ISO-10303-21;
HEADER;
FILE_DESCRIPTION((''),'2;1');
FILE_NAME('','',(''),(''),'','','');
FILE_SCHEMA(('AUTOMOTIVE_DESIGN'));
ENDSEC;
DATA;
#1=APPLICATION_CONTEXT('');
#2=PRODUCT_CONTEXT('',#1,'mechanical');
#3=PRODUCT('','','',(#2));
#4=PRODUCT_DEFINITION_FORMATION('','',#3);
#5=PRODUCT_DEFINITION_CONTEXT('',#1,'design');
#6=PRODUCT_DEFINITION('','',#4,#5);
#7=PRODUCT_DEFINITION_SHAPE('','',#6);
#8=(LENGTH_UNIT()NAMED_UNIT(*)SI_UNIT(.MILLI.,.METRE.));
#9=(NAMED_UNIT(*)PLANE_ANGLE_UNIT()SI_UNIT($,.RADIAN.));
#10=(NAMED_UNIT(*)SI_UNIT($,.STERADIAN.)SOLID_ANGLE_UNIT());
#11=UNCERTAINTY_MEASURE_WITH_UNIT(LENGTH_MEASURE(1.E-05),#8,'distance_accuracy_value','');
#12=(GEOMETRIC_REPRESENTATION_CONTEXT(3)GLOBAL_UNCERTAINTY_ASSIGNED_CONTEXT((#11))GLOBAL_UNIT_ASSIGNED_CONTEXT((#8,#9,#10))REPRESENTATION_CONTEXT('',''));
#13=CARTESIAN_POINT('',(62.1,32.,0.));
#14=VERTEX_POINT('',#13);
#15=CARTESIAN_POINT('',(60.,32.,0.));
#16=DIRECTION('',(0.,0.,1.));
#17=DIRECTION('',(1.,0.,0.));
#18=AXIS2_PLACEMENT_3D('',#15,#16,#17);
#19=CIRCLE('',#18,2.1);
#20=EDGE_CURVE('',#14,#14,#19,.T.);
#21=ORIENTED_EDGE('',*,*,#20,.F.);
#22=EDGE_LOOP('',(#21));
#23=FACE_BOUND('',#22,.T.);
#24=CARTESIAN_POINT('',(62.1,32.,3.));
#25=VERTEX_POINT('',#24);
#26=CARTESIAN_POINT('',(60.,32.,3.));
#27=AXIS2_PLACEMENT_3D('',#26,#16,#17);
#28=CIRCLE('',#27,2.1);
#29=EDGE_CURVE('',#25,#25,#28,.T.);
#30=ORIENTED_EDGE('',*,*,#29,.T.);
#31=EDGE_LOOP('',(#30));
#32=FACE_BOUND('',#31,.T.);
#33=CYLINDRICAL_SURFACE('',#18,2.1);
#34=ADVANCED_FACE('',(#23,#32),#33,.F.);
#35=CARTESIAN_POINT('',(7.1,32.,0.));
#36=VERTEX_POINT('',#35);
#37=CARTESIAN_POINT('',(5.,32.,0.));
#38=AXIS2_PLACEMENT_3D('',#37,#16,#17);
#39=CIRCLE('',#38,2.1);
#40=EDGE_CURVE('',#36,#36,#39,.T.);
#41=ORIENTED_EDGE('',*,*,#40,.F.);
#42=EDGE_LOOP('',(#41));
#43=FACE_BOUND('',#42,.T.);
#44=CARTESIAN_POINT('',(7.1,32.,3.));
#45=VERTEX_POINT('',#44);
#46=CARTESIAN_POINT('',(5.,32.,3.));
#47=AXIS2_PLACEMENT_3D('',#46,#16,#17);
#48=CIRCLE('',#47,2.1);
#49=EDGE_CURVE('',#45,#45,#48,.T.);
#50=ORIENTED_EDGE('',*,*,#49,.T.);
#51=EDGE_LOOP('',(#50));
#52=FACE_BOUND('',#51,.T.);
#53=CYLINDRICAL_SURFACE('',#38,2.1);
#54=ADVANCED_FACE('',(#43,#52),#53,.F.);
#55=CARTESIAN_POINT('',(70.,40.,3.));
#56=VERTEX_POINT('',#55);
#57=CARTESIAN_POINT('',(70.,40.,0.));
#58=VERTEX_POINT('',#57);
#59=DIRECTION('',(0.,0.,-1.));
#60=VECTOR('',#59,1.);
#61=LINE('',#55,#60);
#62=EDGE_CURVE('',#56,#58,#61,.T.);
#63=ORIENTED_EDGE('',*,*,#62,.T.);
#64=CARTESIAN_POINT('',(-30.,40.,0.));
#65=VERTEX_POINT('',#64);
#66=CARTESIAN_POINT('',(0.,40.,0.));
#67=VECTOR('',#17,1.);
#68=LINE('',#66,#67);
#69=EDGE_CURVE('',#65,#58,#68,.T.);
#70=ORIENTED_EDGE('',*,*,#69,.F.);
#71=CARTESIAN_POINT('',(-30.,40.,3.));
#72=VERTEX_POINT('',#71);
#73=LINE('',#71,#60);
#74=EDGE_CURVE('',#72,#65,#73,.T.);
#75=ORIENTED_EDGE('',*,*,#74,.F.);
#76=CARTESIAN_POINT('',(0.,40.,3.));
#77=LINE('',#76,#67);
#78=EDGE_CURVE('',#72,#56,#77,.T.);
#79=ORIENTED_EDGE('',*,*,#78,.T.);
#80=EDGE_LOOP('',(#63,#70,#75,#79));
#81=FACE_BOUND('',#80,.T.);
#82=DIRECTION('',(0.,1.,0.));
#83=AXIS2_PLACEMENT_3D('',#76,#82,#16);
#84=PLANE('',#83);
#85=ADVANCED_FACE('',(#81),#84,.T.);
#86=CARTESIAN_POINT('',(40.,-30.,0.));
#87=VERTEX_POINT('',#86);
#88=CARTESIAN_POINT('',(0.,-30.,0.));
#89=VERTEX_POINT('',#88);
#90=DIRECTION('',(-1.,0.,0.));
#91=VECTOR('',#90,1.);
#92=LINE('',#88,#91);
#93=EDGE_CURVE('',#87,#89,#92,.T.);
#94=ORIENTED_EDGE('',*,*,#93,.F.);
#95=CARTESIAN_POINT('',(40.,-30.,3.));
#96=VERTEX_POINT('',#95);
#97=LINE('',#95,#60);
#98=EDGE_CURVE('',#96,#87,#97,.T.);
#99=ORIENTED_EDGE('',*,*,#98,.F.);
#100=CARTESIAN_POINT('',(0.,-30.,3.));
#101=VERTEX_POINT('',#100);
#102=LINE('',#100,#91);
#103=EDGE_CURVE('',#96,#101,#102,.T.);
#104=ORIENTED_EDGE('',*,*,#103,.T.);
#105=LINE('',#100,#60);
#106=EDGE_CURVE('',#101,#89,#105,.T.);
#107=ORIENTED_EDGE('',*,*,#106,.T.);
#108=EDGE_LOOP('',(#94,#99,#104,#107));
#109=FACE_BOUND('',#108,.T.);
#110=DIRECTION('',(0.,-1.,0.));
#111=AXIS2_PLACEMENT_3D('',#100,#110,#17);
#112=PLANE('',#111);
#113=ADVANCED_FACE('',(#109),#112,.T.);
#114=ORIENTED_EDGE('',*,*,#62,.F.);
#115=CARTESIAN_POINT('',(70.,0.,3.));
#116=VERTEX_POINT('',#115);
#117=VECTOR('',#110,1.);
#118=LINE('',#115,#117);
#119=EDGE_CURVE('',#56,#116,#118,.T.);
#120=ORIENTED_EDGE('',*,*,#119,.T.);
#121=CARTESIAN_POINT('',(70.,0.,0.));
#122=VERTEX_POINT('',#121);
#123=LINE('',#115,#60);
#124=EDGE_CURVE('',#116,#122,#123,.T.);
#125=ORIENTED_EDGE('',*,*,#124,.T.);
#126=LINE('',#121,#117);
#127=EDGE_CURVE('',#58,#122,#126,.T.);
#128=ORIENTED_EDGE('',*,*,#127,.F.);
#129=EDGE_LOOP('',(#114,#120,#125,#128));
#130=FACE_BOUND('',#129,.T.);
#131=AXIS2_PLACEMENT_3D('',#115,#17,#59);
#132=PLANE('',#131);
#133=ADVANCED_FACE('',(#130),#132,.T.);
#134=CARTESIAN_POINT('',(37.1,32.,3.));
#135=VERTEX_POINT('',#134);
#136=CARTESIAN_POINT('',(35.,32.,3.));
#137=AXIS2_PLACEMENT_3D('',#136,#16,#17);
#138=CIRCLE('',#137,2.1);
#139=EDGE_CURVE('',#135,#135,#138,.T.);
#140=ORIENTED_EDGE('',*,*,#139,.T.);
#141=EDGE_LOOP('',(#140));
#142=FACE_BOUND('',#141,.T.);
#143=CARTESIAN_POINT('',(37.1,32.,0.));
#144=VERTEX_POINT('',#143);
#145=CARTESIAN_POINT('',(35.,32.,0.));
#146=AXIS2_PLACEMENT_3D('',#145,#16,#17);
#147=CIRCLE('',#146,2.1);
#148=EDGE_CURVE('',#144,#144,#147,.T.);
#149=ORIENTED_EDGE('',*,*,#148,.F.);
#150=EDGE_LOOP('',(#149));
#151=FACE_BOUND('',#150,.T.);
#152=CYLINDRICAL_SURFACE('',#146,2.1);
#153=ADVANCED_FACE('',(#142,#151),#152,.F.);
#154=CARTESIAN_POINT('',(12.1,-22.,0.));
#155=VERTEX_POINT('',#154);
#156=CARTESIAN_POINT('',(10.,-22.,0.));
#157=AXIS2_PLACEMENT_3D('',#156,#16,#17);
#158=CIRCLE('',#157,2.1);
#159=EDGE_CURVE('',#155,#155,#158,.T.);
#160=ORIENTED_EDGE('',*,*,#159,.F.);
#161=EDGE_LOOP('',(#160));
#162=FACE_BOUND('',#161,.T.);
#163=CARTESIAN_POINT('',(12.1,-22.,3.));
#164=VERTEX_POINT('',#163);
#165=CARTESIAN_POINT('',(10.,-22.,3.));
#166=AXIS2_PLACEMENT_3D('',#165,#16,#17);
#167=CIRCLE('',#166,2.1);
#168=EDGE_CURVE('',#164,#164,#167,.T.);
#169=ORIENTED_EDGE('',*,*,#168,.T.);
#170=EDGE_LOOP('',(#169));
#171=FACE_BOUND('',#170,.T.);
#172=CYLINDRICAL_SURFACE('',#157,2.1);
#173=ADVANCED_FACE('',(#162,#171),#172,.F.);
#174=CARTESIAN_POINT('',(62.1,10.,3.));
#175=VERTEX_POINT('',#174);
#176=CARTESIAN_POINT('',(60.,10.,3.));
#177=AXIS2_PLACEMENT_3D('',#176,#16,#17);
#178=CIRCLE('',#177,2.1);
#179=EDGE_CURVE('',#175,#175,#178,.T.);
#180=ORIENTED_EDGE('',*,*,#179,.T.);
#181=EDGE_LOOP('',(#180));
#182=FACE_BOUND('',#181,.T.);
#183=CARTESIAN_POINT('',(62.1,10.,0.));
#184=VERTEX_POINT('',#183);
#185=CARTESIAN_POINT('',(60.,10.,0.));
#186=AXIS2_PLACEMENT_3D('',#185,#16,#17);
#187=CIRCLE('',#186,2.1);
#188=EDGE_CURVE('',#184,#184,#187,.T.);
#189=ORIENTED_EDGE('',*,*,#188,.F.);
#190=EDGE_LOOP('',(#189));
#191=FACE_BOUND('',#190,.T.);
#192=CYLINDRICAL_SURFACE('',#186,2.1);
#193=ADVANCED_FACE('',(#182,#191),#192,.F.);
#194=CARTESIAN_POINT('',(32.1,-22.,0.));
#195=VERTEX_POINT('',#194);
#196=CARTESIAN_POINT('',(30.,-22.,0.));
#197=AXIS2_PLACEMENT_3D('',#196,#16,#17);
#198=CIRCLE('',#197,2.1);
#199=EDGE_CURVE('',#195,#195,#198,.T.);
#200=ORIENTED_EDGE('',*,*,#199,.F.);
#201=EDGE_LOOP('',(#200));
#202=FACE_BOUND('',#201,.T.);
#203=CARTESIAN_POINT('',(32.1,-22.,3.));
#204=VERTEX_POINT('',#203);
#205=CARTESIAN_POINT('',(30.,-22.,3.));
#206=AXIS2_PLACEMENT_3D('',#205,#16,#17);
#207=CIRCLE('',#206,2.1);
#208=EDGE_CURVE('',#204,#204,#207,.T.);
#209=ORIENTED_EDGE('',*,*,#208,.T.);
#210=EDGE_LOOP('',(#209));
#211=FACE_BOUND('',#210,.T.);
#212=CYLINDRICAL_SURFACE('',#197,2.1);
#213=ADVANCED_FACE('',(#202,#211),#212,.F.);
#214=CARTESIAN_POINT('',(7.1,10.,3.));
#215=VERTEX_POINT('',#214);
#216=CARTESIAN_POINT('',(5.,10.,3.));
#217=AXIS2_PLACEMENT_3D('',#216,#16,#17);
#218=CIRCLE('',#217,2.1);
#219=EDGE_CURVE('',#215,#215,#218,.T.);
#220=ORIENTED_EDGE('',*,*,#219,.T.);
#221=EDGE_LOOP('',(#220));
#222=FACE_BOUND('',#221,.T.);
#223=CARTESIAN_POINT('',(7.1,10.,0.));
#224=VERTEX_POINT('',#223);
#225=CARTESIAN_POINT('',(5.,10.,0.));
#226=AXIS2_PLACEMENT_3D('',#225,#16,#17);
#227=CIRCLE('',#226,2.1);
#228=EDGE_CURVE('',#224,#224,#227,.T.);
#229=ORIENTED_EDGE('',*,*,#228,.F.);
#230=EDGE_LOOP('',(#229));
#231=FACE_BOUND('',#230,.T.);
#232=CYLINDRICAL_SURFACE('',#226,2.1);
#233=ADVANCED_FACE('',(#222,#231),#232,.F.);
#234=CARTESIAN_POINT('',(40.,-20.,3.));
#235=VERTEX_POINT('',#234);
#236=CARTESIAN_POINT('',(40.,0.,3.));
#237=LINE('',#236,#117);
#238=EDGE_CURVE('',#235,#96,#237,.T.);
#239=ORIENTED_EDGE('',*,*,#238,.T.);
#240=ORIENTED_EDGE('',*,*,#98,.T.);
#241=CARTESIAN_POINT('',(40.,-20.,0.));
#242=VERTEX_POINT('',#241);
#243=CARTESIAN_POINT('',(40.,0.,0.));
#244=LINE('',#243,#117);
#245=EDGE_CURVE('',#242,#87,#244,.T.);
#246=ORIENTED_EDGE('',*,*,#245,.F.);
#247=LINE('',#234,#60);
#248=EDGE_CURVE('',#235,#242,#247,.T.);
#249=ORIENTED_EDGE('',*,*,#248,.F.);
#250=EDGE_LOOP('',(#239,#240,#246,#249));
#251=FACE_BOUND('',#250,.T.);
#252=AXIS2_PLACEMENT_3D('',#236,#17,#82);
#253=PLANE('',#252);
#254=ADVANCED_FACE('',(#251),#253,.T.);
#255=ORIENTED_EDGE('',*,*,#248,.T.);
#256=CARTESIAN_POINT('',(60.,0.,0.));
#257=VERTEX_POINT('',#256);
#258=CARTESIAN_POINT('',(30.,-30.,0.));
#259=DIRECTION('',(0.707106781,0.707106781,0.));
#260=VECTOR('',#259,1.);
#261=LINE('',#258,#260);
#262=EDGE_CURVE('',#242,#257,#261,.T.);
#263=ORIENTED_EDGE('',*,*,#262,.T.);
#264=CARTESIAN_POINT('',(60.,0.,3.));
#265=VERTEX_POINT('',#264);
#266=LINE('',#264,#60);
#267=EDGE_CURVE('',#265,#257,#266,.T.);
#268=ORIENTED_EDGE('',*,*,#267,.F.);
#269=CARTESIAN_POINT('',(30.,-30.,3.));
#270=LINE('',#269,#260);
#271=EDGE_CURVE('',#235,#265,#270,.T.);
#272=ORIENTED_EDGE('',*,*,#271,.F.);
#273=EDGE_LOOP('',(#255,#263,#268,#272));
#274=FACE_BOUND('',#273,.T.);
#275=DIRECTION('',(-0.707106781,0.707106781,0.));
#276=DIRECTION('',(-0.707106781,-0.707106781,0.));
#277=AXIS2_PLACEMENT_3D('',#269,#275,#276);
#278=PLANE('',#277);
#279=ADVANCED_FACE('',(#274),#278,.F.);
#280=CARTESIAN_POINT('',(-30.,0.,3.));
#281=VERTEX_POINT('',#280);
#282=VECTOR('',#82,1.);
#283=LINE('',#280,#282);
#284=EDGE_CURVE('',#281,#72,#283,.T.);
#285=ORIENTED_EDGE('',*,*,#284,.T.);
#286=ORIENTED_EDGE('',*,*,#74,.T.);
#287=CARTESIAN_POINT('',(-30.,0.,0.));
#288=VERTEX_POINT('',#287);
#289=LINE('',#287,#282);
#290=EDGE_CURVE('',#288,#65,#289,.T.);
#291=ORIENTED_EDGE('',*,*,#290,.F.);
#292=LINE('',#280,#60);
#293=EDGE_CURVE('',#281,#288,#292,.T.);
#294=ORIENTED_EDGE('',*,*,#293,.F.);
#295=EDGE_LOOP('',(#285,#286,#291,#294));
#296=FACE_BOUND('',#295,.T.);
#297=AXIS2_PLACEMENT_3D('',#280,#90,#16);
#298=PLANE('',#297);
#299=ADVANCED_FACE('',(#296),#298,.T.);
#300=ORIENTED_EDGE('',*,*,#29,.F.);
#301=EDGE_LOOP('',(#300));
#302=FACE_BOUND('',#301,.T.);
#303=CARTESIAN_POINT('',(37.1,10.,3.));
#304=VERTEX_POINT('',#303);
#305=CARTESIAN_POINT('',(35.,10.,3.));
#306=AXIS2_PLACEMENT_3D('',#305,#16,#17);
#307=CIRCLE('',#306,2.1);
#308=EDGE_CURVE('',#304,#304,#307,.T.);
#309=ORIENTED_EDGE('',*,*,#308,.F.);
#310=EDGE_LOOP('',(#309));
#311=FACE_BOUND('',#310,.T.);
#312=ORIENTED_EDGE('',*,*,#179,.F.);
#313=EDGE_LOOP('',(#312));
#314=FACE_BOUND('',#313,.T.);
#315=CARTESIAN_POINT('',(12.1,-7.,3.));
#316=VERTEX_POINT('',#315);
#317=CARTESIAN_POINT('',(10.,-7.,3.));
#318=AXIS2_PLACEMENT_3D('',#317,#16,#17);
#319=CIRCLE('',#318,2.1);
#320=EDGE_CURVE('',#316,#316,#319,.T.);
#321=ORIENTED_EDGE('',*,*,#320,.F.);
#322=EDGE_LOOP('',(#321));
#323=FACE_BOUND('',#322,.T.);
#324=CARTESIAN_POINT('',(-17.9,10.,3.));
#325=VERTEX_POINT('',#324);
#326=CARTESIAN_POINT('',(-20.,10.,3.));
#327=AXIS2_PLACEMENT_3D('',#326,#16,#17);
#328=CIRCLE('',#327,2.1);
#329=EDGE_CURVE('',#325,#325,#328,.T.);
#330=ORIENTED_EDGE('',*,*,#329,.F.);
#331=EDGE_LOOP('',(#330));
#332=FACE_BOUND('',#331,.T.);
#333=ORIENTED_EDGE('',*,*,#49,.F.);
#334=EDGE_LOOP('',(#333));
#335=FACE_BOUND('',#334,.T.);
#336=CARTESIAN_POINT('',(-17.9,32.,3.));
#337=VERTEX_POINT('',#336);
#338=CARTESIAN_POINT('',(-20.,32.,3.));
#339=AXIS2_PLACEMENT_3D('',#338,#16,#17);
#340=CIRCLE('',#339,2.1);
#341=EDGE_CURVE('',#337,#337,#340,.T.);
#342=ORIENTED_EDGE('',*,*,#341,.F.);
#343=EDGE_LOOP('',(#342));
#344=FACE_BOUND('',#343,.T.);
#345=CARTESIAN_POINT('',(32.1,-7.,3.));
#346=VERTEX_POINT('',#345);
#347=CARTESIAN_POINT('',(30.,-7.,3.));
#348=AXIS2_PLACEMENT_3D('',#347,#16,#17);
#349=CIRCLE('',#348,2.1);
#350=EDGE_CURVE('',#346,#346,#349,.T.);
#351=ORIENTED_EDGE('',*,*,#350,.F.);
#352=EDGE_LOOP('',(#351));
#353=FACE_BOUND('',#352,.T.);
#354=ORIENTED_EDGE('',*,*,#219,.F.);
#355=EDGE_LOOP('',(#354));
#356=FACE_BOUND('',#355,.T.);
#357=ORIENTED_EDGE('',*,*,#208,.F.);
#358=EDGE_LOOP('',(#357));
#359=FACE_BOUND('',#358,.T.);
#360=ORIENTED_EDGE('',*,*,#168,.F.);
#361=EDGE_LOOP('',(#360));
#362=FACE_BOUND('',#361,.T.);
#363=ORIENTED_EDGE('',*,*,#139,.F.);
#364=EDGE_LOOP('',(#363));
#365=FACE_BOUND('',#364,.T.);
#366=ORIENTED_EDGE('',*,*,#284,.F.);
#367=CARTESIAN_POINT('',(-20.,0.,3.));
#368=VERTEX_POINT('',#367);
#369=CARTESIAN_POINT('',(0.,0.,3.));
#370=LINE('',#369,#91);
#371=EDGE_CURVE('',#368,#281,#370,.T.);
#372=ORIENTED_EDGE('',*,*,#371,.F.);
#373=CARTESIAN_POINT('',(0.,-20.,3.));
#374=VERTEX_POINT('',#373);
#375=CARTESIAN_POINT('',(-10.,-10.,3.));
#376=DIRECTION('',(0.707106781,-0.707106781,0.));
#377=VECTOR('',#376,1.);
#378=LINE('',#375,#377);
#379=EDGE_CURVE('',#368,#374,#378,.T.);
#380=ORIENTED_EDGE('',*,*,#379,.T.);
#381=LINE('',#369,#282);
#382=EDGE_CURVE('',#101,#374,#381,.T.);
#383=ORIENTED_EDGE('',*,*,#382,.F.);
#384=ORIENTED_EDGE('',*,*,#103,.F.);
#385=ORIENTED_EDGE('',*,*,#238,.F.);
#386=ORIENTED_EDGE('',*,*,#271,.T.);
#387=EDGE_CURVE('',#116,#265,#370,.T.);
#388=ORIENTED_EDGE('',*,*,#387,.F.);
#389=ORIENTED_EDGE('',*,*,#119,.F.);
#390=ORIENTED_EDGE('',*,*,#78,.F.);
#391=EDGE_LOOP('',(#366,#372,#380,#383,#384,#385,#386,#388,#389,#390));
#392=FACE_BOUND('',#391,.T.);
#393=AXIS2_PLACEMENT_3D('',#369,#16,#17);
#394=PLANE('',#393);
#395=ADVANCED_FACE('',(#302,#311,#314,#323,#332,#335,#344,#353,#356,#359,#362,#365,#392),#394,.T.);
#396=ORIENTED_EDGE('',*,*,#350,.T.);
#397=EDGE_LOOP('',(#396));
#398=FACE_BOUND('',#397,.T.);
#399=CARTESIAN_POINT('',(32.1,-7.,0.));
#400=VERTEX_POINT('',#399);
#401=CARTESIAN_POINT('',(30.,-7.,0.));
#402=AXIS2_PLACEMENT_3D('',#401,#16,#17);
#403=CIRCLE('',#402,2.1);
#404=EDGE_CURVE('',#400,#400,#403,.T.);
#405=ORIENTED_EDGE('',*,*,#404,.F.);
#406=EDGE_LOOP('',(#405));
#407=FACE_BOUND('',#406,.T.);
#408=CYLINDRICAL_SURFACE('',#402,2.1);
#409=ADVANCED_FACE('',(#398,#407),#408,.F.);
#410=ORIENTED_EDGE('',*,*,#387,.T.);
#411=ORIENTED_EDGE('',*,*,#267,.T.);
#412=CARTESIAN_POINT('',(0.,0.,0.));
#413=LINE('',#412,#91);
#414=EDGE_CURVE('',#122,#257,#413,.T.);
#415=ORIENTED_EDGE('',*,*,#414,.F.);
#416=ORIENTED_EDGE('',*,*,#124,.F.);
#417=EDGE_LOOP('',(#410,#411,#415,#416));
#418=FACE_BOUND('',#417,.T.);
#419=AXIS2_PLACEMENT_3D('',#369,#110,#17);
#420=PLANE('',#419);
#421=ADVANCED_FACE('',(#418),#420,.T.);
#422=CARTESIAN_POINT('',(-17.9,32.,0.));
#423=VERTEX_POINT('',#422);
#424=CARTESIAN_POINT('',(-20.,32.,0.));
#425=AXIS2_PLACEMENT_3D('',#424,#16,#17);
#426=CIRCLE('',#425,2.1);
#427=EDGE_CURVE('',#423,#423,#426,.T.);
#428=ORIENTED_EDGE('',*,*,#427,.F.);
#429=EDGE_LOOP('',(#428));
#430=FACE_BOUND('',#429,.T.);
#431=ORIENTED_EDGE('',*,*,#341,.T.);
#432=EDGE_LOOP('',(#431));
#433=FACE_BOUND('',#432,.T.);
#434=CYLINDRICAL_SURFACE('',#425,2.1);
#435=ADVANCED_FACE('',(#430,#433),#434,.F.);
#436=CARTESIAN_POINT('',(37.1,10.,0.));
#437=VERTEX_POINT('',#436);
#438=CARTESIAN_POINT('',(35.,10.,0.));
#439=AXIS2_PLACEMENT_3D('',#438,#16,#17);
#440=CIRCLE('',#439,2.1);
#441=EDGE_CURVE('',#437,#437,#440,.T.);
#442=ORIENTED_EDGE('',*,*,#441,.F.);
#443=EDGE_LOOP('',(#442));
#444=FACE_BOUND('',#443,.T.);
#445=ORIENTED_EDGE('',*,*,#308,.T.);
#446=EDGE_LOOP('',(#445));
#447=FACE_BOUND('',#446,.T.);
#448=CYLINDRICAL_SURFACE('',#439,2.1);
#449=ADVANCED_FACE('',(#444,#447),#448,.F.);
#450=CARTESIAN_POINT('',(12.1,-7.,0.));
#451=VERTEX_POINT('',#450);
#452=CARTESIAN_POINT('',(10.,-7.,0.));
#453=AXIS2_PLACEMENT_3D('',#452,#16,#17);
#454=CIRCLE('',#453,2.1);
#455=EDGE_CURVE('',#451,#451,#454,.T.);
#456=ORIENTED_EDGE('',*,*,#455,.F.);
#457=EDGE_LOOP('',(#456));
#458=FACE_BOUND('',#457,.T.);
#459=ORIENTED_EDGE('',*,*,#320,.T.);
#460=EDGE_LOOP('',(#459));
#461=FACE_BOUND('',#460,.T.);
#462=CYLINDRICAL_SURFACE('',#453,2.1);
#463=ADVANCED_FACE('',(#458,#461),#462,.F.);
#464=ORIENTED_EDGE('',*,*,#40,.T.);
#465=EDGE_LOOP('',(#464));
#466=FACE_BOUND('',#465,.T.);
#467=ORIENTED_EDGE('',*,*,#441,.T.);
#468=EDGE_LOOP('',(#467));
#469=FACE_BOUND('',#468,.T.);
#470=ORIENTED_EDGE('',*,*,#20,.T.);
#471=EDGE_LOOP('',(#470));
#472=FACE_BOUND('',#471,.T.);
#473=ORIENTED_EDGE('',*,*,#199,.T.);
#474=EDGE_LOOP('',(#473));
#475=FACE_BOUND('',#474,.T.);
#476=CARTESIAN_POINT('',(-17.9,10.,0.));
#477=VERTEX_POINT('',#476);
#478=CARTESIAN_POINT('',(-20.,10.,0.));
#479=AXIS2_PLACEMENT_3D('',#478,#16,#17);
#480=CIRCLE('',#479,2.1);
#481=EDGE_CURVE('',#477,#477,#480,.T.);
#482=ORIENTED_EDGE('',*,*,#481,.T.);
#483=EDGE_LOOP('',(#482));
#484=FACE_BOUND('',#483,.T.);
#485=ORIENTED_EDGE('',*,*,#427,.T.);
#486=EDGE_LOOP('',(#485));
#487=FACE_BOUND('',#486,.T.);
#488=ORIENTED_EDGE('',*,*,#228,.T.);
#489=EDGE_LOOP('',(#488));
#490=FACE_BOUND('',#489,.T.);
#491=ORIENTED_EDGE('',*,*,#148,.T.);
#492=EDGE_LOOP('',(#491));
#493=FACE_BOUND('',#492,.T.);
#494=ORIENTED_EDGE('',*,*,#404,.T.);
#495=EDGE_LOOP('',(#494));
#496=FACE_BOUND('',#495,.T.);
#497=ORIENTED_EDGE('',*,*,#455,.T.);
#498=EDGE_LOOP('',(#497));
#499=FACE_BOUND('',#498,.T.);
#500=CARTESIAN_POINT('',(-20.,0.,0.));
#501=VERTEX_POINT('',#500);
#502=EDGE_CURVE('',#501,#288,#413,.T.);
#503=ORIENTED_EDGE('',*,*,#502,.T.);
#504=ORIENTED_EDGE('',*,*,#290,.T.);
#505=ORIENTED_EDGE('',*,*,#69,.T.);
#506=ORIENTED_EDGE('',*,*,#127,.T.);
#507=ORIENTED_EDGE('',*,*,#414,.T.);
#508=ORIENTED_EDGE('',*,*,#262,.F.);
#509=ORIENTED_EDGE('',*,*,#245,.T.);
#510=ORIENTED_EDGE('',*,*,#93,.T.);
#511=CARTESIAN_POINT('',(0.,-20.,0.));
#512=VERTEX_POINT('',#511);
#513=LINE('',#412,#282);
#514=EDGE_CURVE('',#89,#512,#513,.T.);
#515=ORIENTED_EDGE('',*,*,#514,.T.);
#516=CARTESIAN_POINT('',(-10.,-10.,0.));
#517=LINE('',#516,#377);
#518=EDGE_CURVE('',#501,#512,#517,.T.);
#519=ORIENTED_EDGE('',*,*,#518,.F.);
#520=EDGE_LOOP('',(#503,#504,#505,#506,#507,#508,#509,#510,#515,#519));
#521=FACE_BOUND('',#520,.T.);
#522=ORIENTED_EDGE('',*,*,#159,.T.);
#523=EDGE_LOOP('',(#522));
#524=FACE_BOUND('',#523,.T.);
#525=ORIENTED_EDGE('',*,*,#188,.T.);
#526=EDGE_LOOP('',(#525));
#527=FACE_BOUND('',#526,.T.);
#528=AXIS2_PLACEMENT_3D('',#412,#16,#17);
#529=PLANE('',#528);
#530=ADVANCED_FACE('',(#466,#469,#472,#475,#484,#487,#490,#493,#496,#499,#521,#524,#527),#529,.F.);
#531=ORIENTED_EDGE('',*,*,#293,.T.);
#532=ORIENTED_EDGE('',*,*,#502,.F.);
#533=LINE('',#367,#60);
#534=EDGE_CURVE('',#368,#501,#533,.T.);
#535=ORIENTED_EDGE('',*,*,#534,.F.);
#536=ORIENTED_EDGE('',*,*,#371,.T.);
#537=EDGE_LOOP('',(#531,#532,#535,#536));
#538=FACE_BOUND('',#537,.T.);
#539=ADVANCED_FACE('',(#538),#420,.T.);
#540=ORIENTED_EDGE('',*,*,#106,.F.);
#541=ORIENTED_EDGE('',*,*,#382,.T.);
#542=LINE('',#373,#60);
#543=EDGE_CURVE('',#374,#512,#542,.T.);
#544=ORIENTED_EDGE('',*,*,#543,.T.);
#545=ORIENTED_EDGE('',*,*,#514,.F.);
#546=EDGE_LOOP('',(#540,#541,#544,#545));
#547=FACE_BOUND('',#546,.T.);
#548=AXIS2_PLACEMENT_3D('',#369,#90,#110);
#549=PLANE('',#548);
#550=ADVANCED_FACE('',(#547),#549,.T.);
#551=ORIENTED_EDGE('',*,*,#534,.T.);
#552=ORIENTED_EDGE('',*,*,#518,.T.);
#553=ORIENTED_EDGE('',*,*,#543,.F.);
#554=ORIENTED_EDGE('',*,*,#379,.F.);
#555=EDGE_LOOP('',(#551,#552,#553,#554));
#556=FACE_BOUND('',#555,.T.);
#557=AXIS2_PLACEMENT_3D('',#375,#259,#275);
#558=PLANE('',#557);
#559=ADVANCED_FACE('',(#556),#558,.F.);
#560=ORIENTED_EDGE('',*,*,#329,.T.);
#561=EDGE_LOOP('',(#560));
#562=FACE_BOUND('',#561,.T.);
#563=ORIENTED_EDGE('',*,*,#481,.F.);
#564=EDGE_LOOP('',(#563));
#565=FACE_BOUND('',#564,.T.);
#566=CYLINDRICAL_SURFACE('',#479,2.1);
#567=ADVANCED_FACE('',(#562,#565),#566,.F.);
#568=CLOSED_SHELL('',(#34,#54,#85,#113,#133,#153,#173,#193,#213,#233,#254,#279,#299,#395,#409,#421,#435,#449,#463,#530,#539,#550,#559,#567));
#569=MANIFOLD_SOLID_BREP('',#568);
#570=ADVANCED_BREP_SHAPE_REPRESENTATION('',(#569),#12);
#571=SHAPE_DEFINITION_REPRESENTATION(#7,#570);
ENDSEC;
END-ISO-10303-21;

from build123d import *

# Parameters (mm, degrees)
EXTRUDE_1_DEPTH     = 3
SKETCH_2_R          = 2.1
CUT_EXTRUDE_1_DEPTH = 3


with BuildPart() as part:
    # 草图1 → 凸台-拉伸1 (new body)
    with BuildSketch(Plane.XY):
        Polygon((-20, 0), (-30, 0), (-30, 40), (70, 40), (70, 0), (60, 0), (40, -20), (40, -30), (0, -30), (0, -20), align=None)
    extrude(amount=EXTRUDE_1_DEPTH)

    # 草图2 → 切除-拉伸1 (cut)
    with BuildSketch(Plane.XY.offset(3)):
        with Locations((10, -7)):
            Circle(SKETCH_2_R)
        with Locations((30, -7)):
            Circle(SKETCH_2_R)
        with Locations((10, -22)):
            Circle(SKETCH_2_R)
        with Locations((30, -22)):
            Circle(SKETCH_2_R)
        with Locations((-20, 10)):
            Circle(SKETCH_2_R)
        with Locations((-20, 32)):
            Circle(SKETCH_2_R)
        with Locations((5, 10)):
            Circle(SKETCH_2_R)
        with Locations((35, 10)):
            Circle(SKETCH_2_R)
        with Locations((60, 10)):
            Circle(SKETCH_2_R)
        with Locations((60, 32)):
            Circle(SKETCH_2_R)
        with Locations((35, 32)):
            Circle(SKETCH_2_R)
        with Locations((5, 32)):
            Circle(SKETCH_2_R)
    extrude(amount=-CUT_EXTRUDE_1_DEPTH, mode=Mode.SUBTRACT)


solid = part.part
